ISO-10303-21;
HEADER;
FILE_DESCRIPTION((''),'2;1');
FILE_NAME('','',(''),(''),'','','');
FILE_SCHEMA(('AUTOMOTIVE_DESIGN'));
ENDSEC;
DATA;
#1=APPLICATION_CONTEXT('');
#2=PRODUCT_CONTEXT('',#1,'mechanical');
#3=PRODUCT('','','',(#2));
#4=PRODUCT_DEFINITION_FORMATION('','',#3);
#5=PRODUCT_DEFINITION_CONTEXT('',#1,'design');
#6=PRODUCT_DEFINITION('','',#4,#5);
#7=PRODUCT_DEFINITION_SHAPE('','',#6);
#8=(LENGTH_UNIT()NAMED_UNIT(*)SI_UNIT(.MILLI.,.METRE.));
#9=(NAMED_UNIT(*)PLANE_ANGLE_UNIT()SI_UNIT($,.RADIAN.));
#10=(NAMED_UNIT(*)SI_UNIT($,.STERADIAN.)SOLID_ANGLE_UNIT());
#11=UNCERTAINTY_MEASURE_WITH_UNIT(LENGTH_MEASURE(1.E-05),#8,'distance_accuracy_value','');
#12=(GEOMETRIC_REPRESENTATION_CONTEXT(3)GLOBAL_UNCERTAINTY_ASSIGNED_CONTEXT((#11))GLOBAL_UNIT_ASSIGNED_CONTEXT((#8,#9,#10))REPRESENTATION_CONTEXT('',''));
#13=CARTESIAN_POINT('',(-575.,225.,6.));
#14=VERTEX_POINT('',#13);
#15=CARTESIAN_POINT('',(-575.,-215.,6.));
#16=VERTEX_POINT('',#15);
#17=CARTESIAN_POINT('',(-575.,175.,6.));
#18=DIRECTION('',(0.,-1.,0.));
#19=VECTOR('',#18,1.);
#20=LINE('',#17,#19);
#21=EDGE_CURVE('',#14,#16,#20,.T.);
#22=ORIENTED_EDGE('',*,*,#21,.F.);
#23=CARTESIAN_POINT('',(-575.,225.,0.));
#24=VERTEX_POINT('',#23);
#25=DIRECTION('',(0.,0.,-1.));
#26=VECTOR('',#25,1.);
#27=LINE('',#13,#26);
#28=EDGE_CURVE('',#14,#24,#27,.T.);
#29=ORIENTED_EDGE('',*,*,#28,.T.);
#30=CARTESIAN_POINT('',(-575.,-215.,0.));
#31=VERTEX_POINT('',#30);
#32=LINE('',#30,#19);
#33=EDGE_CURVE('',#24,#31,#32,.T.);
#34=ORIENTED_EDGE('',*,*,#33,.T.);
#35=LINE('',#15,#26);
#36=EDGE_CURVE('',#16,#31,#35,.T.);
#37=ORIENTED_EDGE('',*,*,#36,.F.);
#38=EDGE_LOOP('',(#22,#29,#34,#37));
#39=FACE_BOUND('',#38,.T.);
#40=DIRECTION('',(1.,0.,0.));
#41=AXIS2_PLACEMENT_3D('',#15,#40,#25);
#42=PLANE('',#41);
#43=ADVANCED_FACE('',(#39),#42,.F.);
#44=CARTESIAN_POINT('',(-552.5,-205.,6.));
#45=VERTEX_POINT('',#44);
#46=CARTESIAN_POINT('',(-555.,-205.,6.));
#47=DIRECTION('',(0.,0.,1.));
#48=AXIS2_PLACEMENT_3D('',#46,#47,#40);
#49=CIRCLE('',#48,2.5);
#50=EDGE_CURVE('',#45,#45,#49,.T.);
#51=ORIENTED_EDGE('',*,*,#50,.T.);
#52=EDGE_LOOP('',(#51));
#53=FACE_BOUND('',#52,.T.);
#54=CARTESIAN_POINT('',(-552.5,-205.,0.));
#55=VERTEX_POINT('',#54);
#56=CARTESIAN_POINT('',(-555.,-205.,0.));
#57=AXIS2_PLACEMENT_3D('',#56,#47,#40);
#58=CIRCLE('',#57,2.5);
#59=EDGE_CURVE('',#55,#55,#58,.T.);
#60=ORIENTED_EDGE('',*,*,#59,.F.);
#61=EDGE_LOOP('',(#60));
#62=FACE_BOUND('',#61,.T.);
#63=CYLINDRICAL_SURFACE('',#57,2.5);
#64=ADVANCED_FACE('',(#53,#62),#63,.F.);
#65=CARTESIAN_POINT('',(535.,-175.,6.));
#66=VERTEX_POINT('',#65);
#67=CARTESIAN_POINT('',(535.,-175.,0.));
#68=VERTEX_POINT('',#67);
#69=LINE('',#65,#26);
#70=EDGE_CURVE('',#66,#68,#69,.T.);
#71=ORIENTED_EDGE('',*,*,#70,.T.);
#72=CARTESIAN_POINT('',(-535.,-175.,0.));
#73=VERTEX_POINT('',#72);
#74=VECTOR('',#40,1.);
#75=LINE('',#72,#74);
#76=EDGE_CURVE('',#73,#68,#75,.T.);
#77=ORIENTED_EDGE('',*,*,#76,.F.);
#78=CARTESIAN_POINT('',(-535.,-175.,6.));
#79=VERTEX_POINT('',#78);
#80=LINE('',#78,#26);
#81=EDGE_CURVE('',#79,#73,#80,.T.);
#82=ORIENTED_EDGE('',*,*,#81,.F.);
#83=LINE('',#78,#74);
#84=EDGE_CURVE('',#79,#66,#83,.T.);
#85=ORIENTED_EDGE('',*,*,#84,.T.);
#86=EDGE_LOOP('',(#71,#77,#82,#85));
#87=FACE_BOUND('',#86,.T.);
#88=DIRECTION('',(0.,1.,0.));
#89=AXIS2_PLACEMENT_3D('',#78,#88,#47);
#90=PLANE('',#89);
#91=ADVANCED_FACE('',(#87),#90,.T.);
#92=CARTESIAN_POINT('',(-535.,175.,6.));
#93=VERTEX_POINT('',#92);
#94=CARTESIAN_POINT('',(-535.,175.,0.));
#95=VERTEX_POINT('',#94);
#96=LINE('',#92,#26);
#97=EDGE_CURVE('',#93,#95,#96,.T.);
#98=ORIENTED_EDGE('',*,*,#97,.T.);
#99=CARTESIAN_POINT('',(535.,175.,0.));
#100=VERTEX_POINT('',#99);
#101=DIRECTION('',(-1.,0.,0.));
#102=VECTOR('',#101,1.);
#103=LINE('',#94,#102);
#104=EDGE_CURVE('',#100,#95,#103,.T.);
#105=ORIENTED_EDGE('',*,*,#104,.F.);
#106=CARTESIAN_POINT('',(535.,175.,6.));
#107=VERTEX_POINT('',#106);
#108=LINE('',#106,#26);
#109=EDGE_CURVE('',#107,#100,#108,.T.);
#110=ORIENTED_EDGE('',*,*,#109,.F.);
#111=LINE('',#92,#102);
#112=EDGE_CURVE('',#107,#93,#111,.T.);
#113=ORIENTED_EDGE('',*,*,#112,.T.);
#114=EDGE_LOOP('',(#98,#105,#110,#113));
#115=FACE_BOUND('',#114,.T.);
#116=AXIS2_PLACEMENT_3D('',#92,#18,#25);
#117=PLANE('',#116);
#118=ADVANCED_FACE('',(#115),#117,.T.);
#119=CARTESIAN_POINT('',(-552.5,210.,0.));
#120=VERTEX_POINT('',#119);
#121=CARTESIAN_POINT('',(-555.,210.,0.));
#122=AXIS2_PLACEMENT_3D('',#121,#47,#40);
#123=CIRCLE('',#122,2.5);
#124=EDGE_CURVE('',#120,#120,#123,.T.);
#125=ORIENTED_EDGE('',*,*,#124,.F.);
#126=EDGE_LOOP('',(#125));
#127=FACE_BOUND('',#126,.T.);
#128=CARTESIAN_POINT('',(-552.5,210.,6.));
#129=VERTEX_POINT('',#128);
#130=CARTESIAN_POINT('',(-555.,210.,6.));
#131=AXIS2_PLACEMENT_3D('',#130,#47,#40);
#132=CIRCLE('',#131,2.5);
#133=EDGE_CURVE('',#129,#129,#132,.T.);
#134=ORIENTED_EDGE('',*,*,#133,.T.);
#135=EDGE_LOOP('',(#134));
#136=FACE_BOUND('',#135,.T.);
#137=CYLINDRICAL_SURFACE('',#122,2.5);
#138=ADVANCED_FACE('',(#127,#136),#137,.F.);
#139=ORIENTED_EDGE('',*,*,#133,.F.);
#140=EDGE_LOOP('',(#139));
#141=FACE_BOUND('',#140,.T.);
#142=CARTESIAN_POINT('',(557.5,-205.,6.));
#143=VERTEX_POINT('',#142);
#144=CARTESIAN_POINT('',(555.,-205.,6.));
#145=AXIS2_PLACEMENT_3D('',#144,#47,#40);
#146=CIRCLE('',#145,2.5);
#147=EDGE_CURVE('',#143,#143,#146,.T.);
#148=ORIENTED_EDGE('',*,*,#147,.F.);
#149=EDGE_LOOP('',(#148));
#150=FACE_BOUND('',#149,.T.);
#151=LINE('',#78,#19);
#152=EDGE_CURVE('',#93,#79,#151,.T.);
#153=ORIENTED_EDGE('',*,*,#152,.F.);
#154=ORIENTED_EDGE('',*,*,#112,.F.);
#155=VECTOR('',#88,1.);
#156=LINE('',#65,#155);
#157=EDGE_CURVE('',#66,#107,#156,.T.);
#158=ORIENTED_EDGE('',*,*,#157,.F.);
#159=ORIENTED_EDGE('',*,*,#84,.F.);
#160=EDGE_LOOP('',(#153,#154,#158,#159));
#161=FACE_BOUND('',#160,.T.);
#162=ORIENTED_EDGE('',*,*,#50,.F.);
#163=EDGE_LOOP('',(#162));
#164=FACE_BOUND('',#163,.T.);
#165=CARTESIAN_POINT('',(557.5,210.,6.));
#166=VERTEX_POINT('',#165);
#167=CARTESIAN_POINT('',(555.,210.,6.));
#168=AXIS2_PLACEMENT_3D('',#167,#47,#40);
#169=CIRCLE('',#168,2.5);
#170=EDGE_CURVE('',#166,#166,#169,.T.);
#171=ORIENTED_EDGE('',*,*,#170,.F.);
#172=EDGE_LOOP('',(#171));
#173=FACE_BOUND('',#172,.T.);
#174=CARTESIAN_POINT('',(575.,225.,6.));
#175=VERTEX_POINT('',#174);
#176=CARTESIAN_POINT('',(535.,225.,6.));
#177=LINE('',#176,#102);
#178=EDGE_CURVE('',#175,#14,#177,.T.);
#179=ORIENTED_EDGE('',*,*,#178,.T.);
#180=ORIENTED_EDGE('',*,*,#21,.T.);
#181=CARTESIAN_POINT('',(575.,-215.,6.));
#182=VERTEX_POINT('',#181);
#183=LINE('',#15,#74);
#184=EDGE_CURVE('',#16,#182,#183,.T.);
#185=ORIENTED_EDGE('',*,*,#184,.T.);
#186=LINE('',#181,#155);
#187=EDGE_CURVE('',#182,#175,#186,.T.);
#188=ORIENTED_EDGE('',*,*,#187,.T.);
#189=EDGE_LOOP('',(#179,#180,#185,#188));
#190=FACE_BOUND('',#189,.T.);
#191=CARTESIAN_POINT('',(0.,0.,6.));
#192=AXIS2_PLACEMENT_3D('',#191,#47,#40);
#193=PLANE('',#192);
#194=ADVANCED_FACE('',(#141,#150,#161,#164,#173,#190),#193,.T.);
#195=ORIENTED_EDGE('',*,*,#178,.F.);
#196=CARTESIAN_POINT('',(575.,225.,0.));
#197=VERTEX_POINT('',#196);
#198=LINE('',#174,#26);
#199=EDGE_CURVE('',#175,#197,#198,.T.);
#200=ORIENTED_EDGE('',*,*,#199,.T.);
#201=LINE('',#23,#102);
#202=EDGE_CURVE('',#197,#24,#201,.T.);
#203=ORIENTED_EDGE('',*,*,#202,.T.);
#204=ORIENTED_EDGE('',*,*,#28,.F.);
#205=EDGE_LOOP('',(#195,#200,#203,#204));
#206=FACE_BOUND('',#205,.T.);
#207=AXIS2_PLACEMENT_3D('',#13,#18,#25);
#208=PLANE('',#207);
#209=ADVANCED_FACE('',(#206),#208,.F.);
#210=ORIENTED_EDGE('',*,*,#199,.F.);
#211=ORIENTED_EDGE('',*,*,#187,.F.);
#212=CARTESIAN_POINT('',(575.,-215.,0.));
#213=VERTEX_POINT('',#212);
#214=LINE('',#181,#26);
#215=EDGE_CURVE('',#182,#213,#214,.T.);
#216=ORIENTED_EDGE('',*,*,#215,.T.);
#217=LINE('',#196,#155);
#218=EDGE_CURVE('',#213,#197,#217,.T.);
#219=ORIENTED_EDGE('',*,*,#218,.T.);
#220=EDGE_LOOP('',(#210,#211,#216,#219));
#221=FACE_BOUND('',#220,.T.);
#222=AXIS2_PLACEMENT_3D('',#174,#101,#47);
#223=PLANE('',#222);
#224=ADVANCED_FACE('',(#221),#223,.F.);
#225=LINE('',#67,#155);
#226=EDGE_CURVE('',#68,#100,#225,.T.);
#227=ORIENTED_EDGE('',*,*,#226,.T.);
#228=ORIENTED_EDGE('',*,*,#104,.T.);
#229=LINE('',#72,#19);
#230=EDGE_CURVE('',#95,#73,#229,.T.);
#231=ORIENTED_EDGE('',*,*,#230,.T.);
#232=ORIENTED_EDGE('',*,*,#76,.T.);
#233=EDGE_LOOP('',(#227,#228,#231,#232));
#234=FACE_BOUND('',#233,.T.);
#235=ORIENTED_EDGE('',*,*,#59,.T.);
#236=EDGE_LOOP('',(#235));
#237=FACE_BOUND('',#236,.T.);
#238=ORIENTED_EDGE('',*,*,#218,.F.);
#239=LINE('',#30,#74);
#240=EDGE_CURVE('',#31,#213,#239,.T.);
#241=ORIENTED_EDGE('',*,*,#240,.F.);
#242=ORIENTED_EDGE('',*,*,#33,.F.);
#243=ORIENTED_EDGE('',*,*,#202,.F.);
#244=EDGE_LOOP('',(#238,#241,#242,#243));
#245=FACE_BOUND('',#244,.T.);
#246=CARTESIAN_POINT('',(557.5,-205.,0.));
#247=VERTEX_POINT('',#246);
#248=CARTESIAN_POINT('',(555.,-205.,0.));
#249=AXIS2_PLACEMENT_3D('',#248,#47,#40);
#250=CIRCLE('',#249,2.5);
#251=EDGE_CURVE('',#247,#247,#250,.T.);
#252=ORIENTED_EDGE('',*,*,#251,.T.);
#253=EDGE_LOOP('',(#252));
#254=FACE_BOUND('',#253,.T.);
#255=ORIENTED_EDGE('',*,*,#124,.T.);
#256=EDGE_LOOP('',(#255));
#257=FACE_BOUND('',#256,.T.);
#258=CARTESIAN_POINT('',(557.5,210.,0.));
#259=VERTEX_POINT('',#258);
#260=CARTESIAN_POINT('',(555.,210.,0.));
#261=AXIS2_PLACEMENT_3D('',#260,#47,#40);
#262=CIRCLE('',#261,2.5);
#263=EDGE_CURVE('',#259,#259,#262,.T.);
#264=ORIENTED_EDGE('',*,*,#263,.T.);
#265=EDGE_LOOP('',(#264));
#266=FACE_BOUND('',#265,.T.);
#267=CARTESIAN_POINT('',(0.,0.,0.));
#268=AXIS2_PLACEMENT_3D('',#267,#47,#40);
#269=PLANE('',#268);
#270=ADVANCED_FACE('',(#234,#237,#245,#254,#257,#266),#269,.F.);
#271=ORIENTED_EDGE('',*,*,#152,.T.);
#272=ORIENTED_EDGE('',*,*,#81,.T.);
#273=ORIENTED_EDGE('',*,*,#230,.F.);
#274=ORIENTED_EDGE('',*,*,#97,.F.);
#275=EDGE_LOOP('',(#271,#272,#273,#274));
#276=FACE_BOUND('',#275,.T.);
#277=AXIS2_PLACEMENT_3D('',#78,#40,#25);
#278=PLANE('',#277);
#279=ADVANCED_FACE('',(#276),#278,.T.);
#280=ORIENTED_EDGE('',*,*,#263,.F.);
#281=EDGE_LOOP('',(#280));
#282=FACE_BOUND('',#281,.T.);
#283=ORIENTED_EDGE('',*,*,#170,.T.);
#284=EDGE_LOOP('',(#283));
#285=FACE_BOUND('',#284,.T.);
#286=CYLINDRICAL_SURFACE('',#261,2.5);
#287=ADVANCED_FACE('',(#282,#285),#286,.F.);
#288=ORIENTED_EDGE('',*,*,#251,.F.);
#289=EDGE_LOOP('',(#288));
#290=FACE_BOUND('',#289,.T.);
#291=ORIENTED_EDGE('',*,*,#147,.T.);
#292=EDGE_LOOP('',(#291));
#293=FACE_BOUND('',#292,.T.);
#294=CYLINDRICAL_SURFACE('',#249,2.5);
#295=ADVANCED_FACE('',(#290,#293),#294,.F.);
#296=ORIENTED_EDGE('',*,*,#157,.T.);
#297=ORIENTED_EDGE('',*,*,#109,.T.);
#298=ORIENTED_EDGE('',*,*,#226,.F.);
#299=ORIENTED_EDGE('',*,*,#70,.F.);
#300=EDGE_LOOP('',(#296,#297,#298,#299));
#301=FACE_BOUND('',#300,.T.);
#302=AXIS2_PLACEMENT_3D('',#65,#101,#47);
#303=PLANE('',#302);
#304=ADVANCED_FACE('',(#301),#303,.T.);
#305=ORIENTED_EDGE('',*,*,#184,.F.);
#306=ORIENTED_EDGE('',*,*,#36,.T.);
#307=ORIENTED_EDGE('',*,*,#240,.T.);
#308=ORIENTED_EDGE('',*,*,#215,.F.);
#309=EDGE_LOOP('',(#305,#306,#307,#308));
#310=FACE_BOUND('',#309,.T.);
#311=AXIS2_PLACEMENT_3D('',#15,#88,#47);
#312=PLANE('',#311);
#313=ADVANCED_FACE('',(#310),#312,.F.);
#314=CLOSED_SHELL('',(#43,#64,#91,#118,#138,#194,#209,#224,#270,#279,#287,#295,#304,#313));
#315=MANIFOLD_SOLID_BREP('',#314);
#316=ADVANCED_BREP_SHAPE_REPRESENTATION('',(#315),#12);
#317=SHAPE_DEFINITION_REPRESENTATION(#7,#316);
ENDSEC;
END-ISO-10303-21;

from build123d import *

# Parameters (mm, degrees)
SKETCH1_W           = 1070
SKETCH1_H           = 350
BOSS_EXTRUDE1_DEPTH = 6
SKETCH2_R           = 2.5
CUT_EXTRUDE1_DEPTH  = 618.483603021


with BuildPart() as part:
    # Sketch1 → Boss-Extrude1 (new body)
    with BuildSketch(Plane.XY):
        Polygon((575, -215), (575, 175), (575, 225), (535, 225), (-535, 225), (-575, 225), (-575, 175), (-575, -215), align=None)
        Rectangle(SKETCH1_W, SKETCH1_H, mode=Mode.SUBTRACT)
    extrude(amount=BOSS_EXTRUDE1_DEPTH)

    # Sketch2 → Cut-Extrude1 (cut, through all)
    with BuildSketch(Plane.XY.offset(6)):
        with Locations((-555, 210)):
            Circle(SKETCH2_R)
        with Locations((-555, -205)):
            Circle(SKETCH2_R)
        with Locations((555, -205)):
            Circle(SKETCH2_R)
        with Locations((555, 210)):
            Circle(SKETCH2_R)
    extrude(amount=-CUT_EXTRUDE1_DEPTH, mode=Mode.SUBTRACT)


solid = part.part
